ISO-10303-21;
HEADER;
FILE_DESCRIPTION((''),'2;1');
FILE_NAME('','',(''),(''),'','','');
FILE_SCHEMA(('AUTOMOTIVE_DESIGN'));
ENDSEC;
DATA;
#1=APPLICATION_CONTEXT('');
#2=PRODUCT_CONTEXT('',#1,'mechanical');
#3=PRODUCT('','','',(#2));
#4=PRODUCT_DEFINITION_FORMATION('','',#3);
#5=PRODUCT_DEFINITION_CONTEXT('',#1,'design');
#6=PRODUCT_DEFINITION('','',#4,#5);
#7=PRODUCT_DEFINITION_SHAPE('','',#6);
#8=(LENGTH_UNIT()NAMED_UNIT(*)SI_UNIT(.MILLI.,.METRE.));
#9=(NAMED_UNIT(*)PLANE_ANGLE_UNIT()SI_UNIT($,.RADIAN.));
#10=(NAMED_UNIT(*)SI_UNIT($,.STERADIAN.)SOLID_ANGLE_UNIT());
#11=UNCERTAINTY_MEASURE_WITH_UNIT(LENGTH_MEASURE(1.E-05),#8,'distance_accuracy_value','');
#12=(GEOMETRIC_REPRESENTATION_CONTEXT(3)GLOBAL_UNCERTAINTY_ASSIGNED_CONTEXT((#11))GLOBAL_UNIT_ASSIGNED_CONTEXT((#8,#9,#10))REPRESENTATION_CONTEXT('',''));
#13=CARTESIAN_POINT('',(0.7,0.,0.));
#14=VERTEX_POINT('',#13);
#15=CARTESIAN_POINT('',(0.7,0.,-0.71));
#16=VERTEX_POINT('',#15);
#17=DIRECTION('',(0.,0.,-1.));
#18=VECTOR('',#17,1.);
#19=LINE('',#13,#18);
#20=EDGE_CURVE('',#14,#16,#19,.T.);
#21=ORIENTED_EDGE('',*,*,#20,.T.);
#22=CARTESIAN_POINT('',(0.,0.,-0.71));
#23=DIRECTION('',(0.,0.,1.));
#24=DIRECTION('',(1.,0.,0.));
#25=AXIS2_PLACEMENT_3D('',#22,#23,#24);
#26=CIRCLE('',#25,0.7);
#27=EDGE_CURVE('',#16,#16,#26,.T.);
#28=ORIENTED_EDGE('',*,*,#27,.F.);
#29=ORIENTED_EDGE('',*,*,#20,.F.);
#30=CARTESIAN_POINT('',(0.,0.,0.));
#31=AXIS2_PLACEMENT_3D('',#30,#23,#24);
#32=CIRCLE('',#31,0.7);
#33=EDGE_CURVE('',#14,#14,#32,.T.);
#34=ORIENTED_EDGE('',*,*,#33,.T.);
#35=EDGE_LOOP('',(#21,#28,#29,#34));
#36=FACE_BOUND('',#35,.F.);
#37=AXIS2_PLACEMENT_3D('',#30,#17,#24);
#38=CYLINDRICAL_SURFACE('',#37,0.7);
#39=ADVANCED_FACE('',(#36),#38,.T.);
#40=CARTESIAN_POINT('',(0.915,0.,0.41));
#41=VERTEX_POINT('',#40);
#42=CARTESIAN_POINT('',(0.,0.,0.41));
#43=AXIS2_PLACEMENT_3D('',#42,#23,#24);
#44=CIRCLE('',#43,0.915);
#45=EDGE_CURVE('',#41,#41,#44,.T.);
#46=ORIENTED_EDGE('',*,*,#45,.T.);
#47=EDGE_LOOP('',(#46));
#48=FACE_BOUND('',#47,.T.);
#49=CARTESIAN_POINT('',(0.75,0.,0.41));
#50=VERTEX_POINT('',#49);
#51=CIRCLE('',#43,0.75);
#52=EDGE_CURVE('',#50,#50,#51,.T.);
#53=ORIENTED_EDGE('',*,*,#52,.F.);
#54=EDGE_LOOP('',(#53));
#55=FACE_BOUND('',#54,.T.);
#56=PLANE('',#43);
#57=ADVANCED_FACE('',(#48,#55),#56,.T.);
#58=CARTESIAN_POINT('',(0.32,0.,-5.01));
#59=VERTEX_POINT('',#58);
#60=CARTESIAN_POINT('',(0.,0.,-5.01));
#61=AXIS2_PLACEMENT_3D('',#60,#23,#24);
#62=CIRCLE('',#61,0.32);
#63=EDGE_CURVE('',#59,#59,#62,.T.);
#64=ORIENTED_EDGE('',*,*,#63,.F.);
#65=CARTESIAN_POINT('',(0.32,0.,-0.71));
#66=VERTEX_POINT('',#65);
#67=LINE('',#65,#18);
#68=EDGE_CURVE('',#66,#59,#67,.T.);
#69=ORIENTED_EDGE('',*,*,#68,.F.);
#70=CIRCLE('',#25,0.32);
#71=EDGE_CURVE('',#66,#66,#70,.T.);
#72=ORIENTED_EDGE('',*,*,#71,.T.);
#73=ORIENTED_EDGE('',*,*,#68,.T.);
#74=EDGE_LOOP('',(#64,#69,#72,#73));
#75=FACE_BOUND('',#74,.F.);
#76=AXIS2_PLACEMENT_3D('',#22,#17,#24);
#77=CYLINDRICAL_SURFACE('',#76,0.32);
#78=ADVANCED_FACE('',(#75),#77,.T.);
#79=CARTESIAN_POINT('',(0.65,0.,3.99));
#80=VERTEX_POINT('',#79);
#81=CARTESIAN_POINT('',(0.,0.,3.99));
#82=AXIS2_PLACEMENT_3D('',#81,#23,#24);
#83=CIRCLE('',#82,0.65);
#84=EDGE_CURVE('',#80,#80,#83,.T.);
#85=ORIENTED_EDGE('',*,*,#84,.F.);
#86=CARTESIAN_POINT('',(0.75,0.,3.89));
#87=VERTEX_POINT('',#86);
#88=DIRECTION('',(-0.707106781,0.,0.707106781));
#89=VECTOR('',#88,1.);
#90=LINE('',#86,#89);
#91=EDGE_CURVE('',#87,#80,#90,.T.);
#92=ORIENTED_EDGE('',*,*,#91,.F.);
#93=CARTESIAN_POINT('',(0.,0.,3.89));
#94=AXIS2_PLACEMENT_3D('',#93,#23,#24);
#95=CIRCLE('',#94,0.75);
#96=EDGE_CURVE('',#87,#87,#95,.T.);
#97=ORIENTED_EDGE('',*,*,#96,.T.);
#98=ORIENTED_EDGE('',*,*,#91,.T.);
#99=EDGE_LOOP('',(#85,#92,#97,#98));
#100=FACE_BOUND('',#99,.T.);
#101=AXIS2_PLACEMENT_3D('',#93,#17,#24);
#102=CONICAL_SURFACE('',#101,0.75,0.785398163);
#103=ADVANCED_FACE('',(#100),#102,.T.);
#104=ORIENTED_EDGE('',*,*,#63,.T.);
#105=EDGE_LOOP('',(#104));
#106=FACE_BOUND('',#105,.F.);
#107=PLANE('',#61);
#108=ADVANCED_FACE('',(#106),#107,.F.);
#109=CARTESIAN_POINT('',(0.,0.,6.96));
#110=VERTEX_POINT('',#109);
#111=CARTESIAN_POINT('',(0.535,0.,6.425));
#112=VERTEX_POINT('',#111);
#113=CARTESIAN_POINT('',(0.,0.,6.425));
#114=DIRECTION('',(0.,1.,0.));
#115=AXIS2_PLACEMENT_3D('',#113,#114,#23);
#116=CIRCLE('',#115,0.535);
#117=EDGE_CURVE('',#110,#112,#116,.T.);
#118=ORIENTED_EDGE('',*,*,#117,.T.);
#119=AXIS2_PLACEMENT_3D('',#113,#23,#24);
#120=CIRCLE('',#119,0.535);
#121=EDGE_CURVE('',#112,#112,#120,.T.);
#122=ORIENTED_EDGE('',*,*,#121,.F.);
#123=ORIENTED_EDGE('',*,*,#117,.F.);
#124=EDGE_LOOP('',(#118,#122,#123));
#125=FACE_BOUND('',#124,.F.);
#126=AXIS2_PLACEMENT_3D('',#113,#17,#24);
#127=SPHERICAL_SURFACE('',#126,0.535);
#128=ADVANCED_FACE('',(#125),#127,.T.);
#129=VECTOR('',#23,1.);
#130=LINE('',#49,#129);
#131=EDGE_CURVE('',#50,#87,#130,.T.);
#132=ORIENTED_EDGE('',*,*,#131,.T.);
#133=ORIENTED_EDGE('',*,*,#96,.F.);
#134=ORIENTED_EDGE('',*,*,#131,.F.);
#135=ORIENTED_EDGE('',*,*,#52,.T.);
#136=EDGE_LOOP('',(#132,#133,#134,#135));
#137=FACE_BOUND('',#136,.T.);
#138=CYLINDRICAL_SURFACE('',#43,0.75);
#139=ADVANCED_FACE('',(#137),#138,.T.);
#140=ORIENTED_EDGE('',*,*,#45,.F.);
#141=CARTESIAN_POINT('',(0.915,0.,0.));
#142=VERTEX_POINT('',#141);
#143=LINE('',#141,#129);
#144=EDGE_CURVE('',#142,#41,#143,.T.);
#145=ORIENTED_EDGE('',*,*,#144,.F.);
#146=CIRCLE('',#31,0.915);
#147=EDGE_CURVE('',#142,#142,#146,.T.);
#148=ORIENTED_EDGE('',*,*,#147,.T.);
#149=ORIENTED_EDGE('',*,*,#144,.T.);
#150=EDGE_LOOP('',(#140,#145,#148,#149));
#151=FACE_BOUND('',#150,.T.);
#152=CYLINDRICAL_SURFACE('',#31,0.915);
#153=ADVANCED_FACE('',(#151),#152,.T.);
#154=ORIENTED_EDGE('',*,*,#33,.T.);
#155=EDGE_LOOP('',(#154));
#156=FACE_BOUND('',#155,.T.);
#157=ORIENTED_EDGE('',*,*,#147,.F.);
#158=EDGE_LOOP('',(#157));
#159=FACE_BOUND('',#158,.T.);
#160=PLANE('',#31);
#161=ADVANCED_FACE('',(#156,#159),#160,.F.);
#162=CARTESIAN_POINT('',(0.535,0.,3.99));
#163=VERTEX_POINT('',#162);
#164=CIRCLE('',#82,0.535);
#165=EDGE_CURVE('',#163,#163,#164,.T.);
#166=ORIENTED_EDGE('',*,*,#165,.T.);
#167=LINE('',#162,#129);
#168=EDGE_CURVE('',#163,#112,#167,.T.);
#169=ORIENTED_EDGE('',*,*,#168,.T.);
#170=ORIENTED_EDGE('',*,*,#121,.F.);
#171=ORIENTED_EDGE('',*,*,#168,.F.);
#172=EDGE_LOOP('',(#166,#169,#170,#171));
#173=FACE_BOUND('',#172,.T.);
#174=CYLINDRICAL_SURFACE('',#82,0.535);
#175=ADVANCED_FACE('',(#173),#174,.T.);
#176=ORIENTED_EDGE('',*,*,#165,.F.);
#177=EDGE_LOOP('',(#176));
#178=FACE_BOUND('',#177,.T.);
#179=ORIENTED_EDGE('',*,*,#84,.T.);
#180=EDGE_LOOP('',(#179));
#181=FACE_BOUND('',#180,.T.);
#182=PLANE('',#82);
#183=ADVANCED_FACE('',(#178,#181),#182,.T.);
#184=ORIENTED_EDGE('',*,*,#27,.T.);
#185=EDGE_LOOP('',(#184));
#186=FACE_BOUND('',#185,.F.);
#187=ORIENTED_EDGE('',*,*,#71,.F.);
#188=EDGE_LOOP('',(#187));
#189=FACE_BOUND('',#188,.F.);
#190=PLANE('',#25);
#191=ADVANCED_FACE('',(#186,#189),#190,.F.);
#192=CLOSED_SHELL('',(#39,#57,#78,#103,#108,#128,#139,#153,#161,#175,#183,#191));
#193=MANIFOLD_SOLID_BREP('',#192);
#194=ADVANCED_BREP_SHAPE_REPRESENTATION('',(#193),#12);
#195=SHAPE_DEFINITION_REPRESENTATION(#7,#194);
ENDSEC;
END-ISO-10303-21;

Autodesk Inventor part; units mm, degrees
ref_plane "YZ Plane" through (0, 0, 0) normal (1, 0, 0) x (0, 1, 0)
ref_plane "XZ Plane" through (0, 0, 0) normal (0, 1, 0) x (-1, 0, 0)
sketch "Skizze1" plane through (0, 0, 0) normal (0, 1, 0) x (-1, 0, 0)
  line L0 (0, -5.01) -> (0, 6.96)
  line L1 (-0.7, 0) -> (-0.915, 0)
  line L2 (-0.915, 0) -> (-0.915, 0.41)
  line L3 (-0.915, 0.41) -> (-0.75, 0.41)
  line L4 (-0.75, 0.41) -> (-0.75, 3.99)
  line L5 (-0.75, 3.99) -> (-0.535, 3.99)
  line L6 (-0.535, 3.99) -> (-0.535, 6.425)
  arc A0 (0, 6.96) -> (-0.535, 6.425) centre (0, 6.425) ccw
  line L7 (-0.535, 6.425) -> (0, 6.425) construction
  line L8 (-0.7, 0) -> (-0.7, -0.71)
  line L9 (-0.7, -0.71) -> (-0.32, -0.71)
  line L10 (-0.32, -0.71) -> (-0.32, -5.01)
  line L11 (-0.32, -5.01) -> (0, -5.01)
  line L12 (0, -7.4262) -> (0, 9.487) projected
  line L13 (-1.098, 0) -> (0.183, 0) projected
  dimension "d0" = 1.07
  dimension "d1" = 0.41
  dimension "d2" = 1.83
  dimension "d3" = 1.5
  dimension "d5" = 6.96
  dimension "d10" = 0.71
  dimension "d11" = 0.7
  dimension "d12" = 4.3
  dimension "d15" = 0.64
  dimension "d16" = 4.7
revolve "Umdrehung1" add sketch "Skizze1" angle 360 about axis through (0, 0, -5.01) along (0, 0, 1)
chamfer "Fase1" distance 0.1 angle 45 1 edges at (-0.75, 0, 3.99)
ref_plane "Arbeitsebene2" through (0, 0, 4.67) normal (0, 0, 1) x (1, 0, 0)
ref_plane "Arbeitsebene1" through (0, 0, 6.96) normal (0, 0, 1) x (1, 0, 0)
properties part number "Federkontakt D1.5" material "Kupfer, Legierung"
